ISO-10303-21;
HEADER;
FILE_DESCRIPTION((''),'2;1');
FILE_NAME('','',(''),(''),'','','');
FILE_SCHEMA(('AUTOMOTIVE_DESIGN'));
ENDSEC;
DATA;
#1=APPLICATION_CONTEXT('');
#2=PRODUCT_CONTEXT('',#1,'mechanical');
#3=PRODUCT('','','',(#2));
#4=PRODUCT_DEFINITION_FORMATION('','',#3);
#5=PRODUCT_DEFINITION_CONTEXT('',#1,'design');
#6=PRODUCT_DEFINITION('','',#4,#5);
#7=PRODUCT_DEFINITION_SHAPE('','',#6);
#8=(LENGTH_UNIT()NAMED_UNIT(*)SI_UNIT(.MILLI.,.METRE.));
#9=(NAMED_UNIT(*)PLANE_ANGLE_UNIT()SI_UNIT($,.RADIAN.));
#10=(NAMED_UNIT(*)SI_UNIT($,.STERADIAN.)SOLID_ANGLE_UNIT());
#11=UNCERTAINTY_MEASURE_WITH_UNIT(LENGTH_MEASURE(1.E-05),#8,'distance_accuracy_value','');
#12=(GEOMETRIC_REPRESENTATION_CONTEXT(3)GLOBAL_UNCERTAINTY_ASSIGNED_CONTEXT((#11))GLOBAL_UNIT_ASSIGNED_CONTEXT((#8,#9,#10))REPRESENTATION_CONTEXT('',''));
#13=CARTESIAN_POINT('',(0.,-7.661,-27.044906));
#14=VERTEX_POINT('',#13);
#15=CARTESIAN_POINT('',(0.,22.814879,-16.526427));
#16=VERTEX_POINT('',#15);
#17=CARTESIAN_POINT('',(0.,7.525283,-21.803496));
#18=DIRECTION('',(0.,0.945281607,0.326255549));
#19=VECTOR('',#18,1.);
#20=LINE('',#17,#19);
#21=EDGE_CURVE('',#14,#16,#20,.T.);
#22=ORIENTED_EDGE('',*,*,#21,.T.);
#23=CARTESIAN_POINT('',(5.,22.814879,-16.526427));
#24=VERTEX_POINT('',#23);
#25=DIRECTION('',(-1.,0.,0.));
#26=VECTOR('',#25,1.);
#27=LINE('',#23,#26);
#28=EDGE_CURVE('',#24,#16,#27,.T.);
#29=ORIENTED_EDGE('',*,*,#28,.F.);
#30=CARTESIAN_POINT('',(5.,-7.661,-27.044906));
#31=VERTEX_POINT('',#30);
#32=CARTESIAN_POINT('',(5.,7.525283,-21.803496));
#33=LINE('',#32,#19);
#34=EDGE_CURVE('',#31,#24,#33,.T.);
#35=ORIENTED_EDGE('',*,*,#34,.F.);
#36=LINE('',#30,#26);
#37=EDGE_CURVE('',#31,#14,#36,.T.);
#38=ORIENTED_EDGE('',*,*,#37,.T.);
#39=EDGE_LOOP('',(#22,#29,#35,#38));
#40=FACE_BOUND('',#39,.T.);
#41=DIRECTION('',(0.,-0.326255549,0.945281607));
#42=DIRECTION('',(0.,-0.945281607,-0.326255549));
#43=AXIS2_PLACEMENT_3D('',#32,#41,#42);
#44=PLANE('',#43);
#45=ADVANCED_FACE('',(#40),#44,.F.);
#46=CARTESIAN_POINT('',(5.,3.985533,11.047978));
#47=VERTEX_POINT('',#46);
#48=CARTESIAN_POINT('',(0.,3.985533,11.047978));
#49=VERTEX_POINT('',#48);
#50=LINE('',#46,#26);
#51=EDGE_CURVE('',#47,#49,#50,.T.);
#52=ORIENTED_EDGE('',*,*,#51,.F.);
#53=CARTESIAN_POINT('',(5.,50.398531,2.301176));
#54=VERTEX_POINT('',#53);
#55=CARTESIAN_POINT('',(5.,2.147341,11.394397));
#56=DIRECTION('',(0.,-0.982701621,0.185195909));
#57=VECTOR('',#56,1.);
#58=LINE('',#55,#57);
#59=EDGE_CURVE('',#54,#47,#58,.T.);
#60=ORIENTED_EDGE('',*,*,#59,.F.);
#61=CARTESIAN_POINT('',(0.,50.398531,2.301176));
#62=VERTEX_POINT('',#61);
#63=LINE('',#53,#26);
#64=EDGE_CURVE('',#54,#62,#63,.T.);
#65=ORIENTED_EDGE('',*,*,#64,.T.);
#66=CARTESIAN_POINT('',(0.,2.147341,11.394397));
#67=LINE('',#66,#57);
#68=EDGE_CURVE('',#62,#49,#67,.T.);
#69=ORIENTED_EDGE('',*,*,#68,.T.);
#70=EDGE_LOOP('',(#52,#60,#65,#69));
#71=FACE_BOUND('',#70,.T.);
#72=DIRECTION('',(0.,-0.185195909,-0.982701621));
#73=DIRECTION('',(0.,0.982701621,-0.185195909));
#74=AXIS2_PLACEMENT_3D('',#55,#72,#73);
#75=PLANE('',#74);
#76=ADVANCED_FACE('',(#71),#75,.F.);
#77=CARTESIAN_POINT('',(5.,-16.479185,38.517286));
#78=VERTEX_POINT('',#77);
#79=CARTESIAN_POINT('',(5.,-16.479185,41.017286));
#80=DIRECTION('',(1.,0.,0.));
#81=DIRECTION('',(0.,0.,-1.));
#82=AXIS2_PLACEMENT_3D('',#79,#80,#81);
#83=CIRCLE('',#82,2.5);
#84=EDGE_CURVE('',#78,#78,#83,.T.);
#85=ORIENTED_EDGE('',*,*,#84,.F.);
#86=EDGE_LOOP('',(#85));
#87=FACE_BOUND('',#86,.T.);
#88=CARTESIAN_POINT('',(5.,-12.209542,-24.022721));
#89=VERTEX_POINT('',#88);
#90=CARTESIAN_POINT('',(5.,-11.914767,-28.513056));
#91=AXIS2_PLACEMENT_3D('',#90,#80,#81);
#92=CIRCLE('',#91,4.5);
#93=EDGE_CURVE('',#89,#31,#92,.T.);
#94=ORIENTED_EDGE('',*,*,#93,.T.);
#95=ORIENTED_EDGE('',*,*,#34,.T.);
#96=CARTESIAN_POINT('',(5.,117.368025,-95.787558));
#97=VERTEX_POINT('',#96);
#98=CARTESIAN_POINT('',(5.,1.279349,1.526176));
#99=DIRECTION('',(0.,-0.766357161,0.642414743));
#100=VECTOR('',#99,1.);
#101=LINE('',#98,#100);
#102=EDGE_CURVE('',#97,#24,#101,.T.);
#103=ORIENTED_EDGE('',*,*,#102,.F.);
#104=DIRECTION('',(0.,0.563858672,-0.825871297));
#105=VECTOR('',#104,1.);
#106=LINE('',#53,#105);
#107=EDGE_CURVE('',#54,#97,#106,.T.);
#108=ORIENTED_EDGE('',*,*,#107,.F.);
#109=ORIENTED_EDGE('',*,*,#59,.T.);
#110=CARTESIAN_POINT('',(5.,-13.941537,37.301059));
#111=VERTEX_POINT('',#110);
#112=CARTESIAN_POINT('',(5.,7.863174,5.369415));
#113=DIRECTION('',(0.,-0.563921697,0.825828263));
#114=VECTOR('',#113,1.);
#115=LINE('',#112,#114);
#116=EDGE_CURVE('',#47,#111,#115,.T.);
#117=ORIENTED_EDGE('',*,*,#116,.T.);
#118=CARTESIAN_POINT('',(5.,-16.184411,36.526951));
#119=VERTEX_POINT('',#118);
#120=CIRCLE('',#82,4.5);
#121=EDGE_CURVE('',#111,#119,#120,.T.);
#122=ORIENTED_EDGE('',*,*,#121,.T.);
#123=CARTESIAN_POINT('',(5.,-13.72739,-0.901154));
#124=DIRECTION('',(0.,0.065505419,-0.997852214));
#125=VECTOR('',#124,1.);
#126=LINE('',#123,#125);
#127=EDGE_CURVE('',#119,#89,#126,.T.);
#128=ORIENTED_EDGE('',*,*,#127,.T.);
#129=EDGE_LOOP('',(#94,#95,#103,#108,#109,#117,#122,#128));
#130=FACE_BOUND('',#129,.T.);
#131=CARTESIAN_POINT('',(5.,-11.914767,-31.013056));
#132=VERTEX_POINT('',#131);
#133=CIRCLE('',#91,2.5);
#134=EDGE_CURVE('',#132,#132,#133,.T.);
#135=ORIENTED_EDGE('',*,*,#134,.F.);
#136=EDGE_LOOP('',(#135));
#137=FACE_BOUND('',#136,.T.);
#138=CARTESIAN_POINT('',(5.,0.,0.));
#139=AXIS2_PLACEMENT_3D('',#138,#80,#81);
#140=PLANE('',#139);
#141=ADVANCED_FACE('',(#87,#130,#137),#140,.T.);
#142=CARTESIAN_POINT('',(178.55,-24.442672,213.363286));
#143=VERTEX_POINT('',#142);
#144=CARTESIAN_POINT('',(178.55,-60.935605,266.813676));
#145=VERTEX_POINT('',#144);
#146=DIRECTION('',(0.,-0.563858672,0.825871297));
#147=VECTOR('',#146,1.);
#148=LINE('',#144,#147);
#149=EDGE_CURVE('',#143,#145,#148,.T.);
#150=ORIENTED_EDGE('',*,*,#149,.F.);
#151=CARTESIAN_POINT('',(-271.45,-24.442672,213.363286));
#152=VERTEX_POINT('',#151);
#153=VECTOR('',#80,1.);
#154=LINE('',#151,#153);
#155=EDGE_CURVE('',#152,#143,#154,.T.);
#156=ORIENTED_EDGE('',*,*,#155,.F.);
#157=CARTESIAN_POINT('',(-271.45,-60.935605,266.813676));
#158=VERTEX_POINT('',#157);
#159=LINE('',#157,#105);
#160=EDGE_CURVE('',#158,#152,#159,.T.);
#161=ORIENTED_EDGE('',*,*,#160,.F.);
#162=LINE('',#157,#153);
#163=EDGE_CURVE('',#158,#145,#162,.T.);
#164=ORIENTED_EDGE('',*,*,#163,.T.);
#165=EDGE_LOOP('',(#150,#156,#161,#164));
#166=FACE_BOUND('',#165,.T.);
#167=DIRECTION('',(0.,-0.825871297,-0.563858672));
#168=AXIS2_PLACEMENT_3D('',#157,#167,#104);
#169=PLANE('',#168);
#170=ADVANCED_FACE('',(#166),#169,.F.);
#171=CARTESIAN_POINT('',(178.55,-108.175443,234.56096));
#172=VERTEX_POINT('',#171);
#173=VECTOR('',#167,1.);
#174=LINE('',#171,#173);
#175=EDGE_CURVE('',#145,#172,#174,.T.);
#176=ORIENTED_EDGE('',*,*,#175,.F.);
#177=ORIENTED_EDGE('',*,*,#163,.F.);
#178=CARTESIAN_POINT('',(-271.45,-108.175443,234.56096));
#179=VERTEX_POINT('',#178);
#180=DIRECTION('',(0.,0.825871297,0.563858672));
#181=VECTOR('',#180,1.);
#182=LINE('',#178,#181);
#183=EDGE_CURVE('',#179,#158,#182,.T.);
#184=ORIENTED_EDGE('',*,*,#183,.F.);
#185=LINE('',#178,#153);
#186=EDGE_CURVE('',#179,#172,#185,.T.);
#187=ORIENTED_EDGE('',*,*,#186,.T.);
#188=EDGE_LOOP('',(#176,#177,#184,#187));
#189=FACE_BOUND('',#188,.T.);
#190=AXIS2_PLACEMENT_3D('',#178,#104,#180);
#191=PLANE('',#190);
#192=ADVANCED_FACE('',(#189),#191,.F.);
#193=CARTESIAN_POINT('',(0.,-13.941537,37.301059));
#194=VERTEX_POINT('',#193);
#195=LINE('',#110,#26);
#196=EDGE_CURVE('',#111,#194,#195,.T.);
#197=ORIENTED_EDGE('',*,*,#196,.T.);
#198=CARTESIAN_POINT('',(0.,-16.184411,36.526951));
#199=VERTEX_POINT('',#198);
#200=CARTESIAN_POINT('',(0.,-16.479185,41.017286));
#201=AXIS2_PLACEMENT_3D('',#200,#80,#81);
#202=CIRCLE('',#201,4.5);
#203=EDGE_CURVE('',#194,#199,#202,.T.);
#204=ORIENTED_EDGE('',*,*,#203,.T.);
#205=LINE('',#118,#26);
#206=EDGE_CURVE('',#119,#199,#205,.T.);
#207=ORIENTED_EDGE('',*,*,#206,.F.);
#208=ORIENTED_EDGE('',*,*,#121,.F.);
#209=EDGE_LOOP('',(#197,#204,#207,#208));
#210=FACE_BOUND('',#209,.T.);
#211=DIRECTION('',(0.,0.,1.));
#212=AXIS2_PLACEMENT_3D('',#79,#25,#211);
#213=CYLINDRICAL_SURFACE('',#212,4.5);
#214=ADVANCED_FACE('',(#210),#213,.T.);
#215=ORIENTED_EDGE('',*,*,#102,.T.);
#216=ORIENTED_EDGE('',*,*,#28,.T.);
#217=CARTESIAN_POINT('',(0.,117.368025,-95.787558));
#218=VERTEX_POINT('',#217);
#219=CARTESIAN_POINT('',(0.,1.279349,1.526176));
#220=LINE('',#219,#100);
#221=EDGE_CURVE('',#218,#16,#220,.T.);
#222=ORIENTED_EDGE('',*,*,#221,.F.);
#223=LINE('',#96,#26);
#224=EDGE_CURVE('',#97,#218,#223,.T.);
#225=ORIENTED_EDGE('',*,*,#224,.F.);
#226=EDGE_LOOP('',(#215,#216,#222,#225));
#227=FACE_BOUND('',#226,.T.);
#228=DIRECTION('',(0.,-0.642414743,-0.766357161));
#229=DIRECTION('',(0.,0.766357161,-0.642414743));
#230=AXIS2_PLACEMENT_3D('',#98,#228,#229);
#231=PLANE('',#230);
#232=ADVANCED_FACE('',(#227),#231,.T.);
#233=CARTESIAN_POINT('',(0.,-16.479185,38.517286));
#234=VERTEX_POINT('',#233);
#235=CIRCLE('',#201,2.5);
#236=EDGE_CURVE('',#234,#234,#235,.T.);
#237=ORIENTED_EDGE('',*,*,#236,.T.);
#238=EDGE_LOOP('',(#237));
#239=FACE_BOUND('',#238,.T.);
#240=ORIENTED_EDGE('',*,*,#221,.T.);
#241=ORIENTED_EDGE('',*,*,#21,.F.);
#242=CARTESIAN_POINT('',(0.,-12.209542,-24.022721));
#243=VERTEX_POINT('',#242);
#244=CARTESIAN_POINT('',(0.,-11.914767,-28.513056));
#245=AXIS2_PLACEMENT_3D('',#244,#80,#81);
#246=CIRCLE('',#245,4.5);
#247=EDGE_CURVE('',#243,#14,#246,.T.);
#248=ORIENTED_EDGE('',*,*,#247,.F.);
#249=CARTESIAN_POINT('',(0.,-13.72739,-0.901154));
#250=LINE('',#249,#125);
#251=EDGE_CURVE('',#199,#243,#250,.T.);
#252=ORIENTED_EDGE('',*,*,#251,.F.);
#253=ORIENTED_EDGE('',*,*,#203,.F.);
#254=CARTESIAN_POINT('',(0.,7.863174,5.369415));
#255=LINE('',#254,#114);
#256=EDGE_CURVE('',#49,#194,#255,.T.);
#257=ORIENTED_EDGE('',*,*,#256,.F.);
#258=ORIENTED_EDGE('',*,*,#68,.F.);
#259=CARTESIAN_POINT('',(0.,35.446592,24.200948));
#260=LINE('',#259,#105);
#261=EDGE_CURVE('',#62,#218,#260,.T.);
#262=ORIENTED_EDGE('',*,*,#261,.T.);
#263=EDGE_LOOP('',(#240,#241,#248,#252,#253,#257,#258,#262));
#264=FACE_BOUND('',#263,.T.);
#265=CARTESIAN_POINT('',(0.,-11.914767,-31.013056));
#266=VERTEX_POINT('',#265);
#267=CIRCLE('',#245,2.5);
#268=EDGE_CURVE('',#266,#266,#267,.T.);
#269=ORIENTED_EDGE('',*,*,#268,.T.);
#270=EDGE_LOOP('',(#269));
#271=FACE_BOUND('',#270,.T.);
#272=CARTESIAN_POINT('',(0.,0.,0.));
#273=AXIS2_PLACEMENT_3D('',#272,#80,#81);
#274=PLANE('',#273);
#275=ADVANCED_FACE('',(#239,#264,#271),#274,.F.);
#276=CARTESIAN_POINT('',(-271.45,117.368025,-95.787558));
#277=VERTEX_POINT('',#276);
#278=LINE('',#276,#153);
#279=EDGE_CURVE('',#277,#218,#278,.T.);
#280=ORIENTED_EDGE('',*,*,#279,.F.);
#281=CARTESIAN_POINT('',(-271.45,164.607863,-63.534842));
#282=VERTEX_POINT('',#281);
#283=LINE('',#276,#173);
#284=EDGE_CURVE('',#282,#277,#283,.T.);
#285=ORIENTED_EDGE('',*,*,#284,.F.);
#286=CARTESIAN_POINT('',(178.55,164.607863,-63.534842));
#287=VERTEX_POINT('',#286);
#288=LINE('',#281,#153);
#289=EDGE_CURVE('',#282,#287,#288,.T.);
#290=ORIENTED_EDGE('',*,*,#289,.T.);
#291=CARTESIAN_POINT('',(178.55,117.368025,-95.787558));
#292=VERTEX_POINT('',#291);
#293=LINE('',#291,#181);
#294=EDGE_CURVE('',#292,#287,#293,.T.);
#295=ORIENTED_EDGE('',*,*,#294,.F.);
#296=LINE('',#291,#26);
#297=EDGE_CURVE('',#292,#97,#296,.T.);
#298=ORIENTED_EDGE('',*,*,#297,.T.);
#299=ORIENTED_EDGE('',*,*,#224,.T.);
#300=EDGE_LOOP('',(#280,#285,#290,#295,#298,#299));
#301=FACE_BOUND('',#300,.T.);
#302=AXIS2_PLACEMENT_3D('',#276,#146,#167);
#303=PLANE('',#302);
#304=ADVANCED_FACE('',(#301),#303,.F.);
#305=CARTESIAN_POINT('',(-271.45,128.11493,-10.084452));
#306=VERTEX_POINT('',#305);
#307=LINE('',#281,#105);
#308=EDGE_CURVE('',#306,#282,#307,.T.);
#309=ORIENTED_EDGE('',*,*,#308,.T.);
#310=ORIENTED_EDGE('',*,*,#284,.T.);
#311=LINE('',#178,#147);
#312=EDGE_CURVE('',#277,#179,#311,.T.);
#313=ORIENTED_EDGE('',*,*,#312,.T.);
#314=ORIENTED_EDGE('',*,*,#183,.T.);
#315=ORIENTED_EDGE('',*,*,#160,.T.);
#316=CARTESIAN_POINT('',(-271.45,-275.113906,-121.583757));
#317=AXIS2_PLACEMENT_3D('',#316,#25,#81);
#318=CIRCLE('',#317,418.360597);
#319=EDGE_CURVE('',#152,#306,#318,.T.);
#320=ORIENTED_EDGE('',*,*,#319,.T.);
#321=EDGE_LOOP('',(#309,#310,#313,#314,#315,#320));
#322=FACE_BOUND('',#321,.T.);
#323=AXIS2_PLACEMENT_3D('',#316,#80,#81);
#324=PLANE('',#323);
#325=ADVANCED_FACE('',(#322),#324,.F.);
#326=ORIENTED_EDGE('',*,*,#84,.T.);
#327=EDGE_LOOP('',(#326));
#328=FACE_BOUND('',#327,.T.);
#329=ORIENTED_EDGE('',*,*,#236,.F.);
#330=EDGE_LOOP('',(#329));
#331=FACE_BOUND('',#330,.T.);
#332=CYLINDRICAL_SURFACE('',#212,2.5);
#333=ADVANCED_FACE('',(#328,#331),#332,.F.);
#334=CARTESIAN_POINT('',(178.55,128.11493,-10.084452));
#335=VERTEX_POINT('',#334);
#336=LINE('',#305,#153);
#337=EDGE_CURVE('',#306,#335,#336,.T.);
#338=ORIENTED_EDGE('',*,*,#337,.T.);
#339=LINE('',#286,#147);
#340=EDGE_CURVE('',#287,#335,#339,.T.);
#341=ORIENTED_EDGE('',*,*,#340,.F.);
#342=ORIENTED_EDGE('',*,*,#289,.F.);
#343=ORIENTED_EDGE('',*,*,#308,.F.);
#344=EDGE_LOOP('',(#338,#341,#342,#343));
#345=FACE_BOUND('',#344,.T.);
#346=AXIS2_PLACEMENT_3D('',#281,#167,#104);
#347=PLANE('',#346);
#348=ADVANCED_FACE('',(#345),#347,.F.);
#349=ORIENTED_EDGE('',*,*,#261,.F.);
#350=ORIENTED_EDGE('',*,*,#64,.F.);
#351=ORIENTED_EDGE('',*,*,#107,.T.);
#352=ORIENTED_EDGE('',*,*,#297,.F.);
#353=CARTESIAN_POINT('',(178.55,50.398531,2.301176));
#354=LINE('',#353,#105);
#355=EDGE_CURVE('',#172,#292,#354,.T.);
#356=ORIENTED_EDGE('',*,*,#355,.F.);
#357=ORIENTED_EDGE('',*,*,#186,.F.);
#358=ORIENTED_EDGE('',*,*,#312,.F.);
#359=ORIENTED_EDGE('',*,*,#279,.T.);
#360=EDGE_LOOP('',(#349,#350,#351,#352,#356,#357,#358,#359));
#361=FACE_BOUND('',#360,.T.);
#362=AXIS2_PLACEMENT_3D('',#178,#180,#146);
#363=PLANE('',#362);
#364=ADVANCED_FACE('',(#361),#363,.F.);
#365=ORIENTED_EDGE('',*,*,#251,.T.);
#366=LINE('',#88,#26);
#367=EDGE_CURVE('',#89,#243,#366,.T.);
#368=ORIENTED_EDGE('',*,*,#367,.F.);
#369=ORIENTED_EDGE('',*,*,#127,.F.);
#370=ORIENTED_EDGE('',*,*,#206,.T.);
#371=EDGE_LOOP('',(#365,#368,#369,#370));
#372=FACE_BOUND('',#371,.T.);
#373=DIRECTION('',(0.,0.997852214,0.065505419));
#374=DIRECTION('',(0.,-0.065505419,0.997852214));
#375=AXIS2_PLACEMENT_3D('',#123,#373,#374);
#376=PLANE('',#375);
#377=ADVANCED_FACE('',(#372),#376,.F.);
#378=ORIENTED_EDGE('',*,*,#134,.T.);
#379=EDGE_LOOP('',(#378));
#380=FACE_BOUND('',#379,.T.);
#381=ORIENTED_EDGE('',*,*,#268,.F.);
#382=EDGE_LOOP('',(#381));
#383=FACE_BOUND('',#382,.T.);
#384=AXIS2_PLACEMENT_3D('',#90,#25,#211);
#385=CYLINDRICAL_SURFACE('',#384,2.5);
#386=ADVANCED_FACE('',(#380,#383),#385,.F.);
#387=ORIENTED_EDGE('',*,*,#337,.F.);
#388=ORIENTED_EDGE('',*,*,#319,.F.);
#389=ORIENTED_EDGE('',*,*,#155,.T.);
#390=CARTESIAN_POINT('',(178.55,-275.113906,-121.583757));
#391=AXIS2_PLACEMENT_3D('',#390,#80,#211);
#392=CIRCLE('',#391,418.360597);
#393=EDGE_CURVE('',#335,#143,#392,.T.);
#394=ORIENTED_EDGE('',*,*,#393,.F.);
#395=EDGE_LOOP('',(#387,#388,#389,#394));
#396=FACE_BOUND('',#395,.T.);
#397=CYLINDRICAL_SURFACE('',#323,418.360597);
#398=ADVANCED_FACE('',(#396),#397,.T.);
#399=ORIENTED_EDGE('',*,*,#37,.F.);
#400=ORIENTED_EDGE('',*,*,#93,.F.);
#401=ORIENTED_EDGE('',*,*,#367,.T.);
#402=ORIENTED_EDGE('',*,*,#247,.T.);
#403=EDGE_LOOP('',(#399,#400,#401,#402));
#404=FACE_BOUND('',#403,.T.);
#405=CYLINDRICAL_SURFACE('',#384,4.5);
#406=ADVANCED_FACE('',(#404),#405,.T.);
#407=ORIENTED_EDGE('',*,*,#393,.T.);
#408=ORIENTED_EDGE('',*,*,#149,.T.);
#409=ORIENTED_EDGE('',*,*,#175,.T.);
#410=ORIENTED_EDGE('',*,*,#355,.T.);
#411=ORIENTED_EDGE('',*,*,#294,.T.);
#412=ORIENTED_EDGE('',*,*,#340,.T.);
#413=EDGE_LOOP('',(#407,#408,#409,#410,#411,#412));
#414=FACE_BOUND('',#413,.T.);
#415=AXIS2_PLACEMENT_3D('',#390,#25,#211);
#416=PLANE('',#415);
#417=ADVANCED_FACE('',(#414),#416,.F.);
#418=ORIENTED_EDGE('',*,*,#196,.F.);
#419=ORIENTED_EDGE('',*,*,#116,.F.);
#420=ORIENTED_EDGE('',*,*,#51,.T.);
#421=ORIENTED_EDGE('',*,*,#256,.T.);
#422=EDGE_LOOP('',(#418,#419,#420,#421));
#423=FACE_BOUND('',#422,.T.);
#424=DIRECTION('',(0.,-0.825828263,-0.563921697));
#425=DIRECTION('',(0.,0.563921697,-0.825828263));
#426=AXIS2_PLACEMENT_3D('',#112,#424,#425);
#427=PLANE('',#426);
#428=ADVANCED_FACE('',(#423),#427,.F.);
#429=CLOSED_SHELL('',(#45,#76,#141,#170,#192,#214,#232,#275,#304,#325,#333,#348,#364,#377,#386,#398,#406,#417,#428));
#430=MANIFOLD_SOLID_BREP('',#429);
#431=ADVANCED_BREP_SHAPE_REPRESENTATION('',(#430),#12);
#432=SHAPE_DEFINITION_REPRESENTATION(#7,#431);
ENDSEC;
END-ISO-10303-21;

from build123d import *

# Parameters (mm, degrees)
ESBO_O2_R                = 2.5
RESSALTO_EXTRUS_O2_DEPTH = 5
RESSALTO_EXTRUS_O3_DEPTH = 173.55
RESSALTO_EXTRUS_O4_DEPTH = 276.45


with BuildPart() as part:
    # Esboço2 → Ressalto-extrusão2 (new body)
    # profile 1 of 2: a face of its own
    with BuildSketch(Plane(origin=(0, 0, 0), x_dir=(0, 0, -1), z_dir=(1, 0, 0))):
        with BuildLine():
            Line((27.044906217, -7.661000215), (16.526427317, 22.814878798))
            Line((16.526427317, 22.814878798), (-11.047978387, 3.985533348))
            Line((-11.047978387, 3.985533348), (-37.30105887, -13.941537387))
            ThreePointArc((-37.30105887, -13.941537387), (-45.271053286, -17.947334992), (-36.526951093, -16.184410638))
            Line((-36.526951093, -16.184410638), (24.022721227, -12.209541831))
            ThreePointArc((24.022721227, -12.209541831), (32.261148153, -14.405110119), (27.044906217, -7.661000215))
        make_face()
        with Locations((-41.017286054, -16.479185022)):
            Circle(ESBO_O2_R, mode=Mode.SUBTRACT)
        with Locations((28.513056188, -11.914767447)):
            Circle(ESBO_O2_R, mode=Mode.SUBTRACT)
    # profile 2 of 2: a face of its own
    with BuildSketch(Plane(origin=(0, 0, 0), x_dir=(0, 0, -1), z_dir=(1, 0, 0))):
        Polygon((-11.047978387, 3.985533348), (16.526427317, 22.814878798), (92.896691956, 113.919418087), (95.787558299, 117.368025311), (92.071137464, 114.830661289), (1.415245238, 52.935894913), (-2.301175596, 50.398530891), (-3.134557188, 45.976373598), align=None)
    extrude(amount=RESSALTO_EXTRUS_O2_DEPTH)



with BuildPart() as body_2:
    # Esboço3 → Ressalto-extrusão3 (new body)
    with BuildSketch(Plane(origin=(5, 0, 0), x_dir=(0, 0, -1), z_dir=(1, 0, 0))):
        with BuildLine():
            Line((-2.301175596, 50.398530891), (-234.560960335, -108.175443308))
            Line((-234.560960335, -108.175443308), (-266.813676347, -60.935605143))
            Line((-266.813676347, -60.935605143), (-213.363286032, -24.442671921))
            ThreePointArc((-213.363286032, -24.442671921), (-114.312493315, 70.398103063), (10.084451972, 128.114930253))
            Line((10.084451972, 128.114930253), (63.534842287, 164.607863476))
            Line((63.534842287, 164.607863476), (95.787558299, 117.368025311))
            Line((95.787558299, 117.368025311), (-2.301175596, 50.398530891))
        make_face()
    extrude(amount=RESSALTO_EXTRUS_O3_DEPTH)


with BuildPart() as part_1:
    add(part.part)

    add(body_2.part)  # Ressalto-extrusão4 merges body 2
    # Esboço4 → Ressalto-extrusão4 (add)
    with BuildSketch(Plane.ZY.offset(-5)):
        with BuildLine():
            Line((234.560960335, -108.175443308), (-95.787558299, 117.368025311))
            Line((-95.787558299, 117.368025311), (-63.534842287, 164.607863476))
            Line((-63.534842287, 164.607863476), (-10.084451972, 128.114930253))
            ThreePointArc((-10.084451972, 128.114930253), (114.312493315, 70.398103063), (213.363286032, -24.442671921))
            Line((213.363286032, -24.442671921), (266.813676347, -60.935605143))
            Line((266.813676347, -60.935605143), (234.560960335, -108.175443308))
        make_face()
    extrude(amount=RESSALTO_EXTRUS_O4_DEPTH)


solid = part_1.part
